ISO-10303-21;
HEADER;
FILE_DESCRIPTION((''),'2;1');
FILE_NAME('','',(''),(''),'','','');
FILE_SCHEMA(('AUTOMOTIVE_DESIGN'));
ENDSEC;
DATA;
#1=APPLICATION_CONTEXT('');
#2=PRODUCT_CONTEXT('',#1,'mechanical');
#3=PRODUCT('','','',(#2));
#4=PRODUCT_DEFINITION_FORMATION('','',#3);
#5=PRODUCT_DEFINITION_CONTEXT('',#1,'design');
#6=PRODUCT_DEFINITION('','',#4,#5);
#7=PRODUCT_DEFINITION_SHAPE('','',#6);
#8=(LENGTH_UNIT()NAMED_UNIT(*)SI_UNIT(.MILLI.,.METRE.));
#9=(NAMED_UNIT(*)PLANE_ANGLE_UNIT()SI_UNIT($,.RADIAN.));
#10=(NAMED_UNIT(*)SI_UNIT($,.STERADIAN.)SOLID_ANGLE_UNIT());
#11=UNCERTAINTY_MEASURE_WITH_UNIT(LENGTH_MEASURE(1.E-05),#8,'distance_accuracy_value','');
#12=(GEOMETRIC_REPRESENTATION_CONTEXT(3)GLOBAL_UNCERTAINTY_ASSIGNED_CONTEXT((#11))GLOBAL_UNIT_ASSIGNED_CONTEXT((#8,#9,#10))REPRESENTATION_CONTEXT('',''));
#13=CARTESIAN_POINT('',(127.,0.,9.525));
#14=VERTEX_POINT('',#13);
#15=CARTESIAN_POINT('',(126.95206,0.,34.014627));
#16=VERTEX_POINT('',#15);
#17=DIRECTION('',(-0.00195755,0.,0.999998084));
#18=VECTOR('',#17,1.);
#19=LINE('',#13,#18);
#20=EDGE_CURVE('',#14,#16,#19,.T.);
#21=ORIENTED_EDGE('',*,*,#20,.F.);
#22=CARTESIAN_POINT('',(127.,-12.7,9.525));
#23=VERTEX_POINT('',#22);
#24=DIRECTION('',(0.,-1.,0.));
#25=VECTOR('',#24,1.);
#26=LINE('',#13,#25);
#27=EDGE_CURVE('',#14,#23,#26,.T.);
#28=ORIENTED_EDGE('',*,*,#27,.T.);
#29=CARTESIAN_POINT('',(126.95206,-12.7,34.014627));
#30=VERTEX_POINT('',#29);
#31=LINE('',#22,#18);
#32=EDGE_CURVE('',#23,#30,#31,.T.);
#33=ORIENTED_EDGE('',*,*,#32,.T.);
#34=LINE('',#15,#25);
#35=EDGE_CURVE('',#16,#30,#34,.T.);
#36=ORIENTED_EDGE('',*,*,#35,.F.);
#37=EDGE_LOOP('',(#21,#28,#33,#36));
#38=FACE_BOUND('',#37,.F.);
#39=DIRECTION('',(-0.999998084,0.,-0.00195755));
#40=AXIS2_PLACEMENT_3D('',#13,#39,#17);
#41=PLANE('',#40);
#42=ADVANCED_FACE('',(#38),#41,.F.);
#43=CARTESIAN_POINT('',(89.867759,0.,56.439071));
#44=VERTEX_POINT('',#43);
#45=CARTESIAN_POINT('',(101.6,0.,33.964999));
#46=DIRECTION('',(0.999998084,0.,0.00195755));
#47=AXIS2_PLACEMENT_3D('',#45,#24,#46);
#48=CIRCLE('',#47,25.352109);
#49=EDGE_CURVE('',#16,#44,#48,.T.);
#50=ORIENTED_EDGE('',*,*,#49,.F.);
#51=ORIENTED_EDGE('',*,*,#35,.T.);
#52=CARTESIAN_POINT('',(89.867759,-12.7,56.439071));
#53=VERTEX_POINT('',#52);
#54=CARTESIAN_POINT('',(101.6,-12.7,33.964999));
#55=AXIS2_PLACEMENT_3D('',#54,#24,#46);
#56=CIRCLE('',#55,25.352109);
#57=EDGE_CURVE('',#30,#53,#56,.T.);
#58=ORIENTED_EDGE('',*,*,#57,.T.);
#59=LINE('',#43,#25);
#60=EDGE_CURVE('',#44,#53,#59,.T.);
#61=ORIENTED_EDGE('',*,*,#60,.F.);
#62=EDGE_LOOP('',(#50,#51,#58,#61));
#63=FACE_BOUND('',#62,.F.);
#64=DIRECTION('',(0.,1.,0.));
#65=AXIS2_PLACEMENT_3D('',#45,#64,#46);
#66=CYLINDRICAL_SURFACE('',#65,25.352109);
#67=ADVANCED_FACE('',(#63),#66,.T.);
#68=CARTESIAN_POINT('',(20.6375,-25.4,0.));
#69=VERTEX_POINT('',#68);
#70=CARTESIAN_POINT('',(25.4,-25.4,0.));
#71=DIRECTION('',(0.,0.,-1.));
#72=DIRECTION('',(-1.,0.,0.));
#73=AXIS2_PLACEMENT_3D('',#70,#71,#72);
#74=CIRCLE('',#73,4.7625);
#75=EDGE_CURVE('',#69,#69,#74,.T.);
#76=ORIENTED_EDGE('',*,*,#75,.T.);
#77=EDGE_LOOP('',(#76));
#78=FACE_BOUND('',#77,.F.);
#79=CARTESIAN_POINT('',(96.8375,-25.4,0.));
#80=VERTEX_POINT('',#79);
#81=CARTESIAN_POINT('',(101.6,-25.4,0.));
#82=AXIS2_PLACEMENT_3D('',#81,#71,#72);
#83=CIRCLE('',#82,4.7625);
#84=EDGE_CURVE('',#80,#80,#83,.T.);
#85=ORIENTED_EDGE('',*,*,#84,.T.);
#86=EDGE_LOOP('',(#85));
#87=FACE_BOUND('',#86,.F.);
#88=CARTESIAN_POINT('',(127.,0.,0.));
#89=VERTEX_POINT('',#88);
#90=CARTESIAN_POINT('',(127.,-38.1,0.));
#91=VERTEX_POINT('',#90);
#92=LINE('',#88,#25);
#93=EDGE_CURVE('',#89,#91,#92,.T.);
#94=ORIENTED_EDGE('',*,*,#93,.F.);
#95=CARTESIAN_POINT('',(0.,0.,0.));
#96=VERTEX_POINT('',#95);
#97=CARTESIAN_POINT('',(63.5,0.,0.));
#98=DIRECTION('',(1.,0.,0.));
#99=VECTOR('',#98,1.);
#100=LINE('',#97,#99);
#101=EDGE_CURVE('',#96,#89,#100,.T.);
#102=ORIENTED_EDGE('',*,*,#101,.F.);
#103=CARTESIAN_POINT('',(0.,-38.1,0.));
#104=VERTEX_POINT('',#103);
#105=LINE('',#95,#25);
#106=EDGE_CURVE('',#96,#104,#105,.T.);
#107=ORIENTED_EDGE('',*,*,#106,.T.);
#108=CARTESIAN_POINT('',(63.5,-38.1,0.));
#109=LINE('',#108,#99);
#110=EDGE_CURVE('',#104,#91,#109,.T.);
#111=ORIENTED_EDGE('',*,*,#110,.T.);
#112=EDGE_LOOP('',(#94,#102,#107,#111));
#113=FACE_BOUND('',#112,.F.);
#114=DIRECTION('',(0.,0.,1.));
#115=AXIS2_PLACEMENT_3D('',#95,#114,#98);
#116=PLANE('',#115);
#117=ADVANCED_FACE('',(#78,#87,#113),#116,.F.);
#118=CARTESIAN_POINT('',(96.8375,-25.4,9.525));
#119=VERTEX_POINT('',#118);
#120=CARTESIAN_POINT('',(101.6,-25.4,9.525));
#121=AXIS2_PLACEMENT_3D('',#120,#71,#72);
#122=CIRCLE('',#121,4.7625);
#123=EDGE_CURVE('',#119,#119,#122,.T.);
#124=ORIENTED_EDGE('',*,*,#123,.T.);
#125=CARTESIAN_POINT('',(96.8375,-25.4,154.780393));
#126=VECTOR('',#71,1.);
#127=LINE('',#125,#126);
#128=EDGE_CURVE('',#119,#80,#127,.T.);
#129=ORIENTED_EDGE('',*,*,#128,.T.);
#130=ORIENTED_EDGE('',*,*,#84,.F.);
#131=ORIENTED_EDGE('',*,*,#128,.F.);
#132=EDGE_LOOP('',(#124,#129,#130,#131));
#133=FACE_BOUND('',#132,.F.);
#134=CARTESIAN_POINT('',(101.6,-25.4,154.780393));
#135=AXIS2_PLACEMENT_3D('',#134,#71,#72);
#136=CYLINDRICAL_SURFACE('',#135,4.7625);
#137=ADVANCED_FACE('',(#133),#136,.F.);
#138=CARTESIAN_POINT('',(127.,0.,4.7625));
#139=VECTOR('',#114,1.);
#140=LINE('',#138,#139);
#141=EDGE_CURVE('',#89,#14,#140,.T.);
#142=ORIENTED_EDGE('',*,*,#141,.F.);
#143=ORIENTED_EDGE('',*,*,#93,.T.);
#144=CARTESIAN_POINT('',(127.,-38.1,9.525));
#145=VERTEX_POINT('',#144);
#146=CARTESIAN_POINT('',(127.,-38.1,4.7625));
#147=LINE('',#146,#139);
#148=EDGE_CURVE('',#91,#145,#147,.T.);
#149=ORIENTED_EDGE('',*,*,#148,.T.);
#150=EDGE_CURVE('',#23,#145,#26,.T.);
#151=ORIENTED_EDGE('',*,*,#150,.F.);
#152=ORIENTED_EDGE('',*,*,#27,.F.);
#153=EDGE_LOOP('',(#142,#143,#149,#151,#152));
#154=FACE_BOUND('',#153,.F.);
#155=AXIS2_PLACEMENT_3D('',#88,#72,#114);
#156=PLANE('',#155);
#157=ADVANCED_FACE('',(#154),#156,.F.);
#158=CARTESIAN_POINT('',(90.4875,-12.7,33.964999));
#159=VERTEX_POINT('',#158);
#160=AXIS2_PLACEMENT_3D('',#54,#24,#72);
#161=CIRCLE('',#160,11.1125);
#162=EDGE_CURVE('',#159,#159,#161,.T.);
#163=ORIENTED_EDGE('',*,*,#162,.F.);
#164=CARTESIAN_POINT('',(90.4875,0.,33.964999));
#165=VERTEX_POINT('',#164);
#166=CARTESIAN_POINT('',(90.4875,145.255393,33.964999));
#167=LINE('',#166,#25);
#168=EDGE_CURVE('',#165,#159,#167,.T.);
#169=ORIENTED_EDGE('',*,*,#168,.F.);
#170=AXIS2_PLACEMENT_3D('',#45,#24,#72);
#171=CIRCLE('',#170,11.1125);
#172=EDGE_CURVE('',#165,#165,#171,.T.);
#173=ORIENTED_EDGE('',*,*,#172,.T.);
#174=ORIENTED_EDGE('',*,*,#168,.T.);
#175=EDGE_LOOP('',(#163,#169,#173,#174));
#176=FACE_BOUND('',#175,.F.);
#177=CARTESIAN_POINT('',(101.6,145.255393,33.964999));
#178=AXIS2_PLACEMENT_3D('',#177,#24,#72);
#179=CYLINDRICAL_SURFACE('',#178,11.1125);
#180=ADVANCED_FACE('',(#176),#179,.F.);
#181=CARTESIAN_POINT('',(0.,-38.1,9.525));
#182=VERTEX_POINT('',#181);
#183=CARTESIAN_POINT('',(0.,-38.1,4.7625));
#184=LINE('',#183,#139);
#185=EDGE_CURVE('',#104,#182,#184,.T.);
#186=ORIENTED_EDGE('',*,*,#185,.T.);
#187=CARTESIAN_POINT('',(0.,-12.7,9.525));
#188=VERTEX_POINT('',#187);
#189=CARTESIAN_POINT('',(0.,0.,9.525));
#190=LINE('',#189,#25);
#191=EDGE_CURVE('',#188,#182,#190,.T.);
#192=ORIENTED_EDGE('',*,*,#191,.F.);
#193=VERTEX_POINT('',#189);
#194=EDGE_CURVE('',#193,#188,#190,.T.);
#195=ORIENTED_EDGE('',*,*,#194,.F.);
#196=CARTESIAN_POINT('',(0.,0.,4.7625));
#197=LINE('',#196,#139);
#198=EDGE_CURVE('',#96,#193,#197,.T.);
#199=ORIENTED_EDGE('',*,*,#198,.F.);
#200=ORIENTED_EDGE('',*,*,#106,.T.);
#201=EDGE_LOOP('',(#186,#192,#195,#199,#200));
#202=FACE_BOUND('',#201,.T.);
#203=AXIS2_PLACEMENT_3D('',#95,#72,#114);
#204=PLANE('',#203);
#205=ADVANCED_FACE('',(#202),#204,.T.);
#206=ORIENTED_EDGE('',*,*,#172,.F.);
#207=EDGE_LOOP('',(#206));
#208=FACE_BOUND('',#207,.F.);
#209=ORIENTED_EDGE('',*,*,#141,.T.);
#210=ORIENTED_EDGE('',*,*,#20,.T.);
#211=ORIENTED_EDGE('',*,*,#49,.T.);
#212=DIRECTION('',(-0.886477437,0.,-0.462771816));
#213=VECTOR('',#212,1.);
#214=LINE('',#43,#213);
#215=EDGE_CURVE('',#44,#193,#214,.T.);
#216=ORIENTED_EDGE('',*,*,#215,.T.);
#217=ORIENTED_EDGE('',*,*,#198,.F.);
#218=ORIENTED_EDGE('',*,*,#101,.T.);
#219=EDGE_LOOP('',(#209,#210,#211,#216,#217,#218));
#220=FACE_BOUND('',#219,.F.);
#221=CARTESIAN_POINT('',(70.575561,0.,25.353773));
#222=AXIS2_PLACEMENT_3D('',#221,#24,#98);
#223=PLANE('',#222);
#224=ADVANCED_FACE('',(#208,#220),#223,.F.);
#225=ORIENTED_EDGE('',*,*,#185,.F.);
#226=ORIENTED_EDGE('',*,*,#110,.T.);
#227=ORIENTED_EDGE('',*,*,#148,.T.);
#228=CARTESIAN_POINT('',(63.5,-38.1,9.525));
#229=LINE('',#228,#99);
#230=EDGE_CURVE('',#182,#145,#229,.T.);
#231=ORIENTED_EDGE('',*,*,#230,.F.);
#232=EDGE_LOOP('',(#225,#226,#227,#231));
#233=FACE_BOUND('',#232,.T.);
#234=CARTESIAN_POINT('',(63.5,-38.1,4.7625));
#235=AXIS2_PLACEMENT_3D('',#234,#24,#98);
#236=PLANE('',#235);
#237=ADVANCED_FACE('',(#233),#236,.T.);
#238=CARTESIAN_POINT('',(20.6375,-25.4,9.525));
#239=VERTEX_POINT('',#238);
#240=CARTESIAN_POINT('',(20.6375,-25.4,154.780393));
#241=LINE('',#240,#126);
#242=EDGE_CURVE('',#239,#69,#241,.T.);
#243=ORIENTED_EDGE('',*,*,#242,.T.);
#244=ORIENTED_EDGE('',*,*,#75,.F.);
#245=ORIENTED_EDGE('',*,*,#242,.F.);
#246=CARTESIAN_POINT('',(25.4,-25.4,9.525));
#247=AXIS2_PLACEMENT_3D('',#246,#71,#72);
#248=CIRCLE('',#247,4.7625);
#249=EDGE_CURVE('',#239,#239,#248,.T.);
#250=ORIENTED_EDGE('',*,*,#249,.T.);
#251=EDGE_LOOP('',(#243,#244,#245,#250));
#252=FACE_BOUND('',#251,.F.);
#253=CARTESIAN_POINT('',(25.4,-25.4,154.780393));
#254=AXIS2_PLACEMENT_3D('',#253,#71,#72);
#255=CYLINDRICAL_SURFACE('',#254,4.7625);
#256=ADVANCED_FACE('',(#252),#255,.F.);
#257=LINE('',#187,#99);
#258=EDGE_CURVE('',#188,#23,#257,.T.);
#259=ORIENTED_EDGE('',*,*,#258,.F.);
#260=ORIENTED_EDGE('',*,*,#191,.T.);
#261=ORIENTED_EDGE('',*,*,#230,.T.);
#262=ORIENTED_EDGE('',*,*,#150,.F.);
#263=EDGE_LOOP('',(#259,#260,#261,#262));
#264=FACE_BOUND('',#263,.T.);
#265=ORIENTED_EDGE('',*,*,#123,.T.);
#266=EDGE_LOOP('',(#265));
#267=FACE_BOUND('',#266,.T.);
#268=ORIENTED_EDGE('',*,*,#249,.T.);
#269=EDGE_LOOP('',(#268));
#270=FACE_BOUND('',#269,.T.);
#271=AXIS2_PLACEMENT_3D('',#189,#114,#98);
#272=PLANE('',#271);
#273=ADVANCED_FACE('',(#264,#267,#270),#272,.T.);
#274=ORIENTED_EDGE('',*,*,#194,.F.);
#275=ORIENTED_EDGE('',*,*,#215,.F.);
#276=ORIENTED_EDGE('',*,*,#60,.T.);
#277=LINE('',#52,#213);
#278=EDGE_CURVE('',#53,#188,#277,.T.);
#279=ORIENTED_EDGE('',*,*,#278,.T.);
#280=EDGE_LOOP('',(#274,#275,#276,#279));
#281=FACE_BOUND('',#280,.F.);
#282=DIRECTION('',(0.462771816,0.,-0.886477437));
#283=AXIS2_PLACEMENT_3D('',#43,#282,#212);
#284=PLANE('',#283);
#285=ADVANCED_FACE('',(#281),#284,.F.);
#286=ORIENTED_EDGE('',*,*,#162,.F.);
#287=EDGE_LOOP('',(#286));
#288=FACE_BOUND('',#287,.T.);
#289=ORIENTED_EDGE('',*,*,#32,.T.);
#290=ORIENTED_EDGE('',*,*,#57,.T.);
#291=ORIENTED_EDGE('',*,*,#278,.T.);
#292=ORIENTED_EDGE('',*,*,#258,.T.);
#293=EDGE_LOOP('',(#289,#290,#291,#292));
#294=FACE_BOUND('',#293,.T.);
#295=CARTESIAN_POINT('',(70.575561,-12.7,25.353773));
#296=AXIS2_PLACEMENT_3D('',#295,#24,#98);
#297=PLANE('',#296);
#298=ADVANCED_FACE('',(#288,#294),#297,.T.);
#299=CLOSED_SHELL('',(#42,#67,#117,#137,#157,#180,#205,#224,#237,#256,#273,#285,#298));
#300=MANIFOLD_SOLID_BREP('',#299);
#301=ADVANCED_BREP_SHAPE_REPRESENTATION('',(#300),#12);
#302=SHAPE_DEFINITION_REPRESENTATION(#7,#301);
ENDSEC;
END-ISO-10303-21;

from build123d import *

# Parameters (mm, degrees)
F0_W     = 127
F0_H     = 9.525
F1_DEPTH = 38.1
F2_DEPTH = 12.7
F3_D     = 22.225
F5_D     = 9.525


with BuildPart() as f1:
    # F0 (on Front) → F1 (new body)
    with BuildSketch(Plane.XZ):
        with Locations((63.5, 4.7625)):
            Rectangle(F0_W, F0_H)
    extrude(amount=F1_DEPTH)

    # F0 (on Front) → F2 (join)
    with BuildSketch(Plane.XZ):
        with BuildLine():
            Line((89.8677585571, 56.4390714728), (0, 9.525))
            Line((0, 9.525), (127, 9.525))
            Line((127, 9.525), (126.9520602505, 34.0146270286))
            ThreePointArc((126.9520602505, 34.0146270286), (114.7182618225, 55.6592523753), (89.8677585571, 56.4390714728))
        make_face()
    extrude(amount=F2_DEPTH)

    # F3 (through all)
    with Locations(Plane(origin=(0, 0, 0), x_dir=(1, 0, 0), z_dir=(0, 1, 0))):
        with Locations((101.6, -33.9649990201)):
            Hole(F3_D / 2)

    # F5 (through all)
    with Locations(Plane.XY.offset(9.525)):
        with Locations((25.4, -25.4), (101.6, -25.4)):
            Hole(F5_D / 2)


solid = f1.part
